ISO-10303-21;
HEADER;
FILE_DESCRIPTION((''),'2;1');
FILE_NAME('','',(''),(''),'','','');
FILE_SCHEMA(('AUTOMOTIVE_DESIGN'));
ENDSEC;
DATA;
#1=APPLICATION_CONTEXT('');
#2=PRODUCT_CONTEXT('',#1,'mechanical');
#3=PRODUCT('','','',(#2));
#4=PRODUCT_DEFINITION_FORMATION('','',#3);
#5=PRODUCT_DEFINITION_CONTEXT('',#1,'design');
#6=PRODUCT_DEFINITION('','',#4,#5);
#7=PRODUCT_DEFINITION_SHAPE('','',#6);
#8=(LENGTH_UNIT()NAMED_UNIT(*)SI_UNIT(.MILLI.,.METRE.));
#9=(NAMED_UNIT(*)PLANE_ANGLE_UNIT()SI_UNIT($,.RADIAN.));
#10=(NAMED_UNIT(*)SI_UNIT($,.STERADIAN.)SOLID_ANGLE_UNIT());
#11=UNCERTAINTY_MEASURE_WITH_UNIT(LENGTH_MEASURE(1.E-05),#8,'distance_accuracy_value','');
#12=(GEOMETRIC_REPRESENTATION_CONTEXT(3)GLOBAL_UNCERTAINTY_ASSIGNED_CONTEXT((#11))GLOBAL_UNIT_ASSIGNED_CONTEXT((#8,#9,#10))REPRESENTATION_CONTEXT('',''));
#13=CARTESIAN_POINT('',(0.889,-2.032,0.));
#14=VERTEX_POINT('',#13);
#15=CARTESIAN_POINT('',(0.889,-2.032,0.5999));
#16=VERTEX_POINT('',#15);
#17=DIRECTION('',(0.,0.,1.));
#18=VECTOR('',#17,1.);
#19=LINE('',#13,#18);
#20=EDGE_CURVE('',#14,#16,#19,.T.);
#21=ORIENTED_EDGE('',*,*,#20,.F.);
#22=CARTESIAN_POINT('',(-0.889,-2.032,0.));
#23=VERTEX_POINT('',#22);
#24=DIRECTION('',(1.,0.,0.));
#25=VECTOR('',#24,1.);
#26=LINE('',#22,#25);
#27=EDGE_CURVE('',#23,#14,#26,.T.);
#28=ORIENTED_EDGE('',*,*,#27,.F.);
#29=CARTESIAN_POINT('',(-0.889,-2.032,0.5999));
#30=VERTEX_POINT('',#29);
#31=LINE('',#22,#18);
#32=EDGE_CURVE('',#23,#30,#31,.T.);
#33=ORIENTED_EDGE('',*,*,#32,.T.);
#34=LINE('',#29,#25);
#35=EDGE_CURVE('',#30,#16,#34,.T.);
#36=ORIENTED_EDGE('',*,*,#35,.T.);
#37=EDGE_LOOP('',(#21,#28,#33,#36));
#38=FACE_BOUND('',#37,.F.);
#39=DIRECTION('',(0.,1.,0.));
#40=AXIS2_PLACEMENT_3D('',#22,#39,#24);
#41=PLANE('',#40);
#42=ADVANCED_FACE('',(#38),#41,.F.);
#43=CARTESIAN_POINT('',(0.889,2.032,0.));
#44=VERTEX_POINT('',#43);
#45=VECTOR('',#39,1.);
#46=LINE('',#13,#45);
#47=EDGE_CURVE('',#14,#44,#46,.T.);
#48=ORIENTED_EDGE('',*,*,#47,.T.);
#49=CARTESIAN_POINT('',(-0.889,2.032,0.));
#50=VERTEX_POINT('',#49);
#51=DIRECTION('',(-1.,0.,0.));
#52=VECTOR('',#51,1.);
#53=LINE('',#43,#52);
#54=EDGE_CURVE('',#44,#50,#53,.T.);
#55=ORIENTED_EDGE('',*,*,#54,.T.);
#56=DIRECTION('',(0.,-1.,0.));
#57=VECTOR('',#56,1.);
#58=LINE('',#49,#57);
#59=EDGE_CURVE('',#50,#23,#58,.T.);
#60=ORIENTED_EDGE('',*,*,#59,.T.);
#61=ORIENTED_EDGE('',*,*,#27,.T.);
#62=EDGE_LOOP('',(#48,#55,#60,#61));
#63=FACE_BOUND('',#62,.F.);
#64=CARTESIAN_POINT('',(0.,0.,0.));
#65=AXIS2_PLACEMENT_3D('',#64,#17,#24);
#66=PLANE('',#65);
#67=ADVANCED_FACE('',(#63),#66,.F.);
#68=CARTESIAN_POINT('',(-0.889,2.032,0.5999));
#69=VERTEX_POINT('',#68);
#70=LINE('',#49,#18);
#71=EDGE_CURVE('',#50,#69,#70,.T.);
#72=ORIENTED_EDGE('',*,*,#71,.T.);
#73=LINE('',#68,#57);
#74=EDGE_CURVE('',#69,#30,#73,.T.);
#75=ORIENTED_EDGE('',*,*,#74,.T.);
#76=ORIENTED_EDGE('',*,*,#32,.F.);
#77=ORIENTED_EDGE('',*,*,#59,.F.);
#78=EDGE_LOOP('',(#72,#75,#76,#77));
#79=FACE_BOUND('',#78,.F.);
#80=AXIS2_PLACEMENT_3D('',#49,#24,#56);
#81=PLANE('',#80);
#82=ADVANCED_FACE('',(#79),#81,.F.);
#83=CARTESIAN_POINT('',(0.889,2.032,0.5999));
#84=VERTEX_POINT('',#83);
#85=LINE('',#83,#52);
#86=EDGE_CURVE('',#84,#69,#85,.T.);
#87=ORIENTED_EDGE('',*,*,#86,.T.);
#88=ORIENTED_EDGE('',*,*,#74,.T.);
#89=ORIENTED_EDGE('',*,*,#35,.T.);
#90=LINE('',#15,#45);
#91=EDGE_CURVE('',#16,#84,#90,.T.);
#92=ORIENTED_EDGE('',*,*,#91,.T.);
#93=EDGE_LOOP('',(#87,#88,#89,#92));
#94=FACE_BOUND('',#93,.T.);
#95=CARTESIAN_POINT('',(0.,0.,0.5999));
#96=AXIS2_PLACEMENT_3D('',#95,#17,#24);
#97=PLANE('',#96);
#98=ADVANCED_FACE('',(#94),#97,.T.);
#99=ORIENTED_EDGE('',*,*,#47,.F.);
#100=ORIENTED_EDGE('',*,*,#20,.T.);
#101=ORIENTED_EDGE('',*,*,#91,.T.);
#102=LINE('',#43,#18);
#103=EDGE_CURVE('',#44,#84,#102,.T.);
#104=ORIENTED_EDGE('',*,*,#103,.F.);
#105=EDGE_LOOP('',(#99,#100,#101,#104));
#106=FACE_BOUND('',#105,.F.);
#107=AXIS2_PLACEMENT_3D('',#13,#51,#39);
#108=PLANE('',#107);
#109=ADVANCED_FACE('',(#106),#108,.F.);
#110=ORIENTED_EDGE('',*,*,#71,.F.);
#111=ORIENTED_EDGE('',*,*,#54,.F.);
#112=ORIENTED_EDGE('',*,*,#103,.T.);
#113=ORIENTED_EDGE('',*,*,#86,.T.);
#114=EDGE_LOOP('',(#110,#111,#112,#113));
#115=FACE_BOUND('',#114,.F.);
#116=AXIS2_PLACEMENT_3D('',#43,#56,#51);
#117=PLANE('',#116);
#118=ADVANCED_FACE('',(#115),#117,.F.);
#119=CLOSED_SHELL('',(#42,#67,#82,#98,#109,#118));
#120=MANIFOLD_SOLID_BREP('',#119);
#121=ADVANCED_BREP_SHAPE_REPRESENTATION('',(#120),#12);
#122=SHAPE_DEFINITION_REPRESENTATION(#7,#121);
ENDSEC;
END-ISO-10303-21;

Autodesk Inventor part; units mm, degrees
ref_plane "YZ Plane" through (0, 0, 0) normal (1, 0, 0) x (0, 1, 0)
ref_plane "XZ Plane" through (0, 0, 0) normal (0, 1, 0) x (-1, 0, 0)
ref_plane "XY Plane" through (0, 0, 0) normal (0, 0, 1) x (1, 0, 0)
sketch "0805, RA-SM_24" plane through (0, 0, 0) normal (0, 0, 1) x (1, 0, 0)
  line L0 (-0.889, 2.032) -> (-0.889, -2.032)
  line L1 (-0.889, -2.032) -> (0.889, -2.032)
  line L2 (0.889, -2.032) -> (0.889, 2.032)
  line L3 (0.889, 2.032) -> (-0.889, 2.032)
extrude "Extrusion1" add sketch "0805, RA-SM_24" along normal blind 0.5999
properties part number "RA-SM"
